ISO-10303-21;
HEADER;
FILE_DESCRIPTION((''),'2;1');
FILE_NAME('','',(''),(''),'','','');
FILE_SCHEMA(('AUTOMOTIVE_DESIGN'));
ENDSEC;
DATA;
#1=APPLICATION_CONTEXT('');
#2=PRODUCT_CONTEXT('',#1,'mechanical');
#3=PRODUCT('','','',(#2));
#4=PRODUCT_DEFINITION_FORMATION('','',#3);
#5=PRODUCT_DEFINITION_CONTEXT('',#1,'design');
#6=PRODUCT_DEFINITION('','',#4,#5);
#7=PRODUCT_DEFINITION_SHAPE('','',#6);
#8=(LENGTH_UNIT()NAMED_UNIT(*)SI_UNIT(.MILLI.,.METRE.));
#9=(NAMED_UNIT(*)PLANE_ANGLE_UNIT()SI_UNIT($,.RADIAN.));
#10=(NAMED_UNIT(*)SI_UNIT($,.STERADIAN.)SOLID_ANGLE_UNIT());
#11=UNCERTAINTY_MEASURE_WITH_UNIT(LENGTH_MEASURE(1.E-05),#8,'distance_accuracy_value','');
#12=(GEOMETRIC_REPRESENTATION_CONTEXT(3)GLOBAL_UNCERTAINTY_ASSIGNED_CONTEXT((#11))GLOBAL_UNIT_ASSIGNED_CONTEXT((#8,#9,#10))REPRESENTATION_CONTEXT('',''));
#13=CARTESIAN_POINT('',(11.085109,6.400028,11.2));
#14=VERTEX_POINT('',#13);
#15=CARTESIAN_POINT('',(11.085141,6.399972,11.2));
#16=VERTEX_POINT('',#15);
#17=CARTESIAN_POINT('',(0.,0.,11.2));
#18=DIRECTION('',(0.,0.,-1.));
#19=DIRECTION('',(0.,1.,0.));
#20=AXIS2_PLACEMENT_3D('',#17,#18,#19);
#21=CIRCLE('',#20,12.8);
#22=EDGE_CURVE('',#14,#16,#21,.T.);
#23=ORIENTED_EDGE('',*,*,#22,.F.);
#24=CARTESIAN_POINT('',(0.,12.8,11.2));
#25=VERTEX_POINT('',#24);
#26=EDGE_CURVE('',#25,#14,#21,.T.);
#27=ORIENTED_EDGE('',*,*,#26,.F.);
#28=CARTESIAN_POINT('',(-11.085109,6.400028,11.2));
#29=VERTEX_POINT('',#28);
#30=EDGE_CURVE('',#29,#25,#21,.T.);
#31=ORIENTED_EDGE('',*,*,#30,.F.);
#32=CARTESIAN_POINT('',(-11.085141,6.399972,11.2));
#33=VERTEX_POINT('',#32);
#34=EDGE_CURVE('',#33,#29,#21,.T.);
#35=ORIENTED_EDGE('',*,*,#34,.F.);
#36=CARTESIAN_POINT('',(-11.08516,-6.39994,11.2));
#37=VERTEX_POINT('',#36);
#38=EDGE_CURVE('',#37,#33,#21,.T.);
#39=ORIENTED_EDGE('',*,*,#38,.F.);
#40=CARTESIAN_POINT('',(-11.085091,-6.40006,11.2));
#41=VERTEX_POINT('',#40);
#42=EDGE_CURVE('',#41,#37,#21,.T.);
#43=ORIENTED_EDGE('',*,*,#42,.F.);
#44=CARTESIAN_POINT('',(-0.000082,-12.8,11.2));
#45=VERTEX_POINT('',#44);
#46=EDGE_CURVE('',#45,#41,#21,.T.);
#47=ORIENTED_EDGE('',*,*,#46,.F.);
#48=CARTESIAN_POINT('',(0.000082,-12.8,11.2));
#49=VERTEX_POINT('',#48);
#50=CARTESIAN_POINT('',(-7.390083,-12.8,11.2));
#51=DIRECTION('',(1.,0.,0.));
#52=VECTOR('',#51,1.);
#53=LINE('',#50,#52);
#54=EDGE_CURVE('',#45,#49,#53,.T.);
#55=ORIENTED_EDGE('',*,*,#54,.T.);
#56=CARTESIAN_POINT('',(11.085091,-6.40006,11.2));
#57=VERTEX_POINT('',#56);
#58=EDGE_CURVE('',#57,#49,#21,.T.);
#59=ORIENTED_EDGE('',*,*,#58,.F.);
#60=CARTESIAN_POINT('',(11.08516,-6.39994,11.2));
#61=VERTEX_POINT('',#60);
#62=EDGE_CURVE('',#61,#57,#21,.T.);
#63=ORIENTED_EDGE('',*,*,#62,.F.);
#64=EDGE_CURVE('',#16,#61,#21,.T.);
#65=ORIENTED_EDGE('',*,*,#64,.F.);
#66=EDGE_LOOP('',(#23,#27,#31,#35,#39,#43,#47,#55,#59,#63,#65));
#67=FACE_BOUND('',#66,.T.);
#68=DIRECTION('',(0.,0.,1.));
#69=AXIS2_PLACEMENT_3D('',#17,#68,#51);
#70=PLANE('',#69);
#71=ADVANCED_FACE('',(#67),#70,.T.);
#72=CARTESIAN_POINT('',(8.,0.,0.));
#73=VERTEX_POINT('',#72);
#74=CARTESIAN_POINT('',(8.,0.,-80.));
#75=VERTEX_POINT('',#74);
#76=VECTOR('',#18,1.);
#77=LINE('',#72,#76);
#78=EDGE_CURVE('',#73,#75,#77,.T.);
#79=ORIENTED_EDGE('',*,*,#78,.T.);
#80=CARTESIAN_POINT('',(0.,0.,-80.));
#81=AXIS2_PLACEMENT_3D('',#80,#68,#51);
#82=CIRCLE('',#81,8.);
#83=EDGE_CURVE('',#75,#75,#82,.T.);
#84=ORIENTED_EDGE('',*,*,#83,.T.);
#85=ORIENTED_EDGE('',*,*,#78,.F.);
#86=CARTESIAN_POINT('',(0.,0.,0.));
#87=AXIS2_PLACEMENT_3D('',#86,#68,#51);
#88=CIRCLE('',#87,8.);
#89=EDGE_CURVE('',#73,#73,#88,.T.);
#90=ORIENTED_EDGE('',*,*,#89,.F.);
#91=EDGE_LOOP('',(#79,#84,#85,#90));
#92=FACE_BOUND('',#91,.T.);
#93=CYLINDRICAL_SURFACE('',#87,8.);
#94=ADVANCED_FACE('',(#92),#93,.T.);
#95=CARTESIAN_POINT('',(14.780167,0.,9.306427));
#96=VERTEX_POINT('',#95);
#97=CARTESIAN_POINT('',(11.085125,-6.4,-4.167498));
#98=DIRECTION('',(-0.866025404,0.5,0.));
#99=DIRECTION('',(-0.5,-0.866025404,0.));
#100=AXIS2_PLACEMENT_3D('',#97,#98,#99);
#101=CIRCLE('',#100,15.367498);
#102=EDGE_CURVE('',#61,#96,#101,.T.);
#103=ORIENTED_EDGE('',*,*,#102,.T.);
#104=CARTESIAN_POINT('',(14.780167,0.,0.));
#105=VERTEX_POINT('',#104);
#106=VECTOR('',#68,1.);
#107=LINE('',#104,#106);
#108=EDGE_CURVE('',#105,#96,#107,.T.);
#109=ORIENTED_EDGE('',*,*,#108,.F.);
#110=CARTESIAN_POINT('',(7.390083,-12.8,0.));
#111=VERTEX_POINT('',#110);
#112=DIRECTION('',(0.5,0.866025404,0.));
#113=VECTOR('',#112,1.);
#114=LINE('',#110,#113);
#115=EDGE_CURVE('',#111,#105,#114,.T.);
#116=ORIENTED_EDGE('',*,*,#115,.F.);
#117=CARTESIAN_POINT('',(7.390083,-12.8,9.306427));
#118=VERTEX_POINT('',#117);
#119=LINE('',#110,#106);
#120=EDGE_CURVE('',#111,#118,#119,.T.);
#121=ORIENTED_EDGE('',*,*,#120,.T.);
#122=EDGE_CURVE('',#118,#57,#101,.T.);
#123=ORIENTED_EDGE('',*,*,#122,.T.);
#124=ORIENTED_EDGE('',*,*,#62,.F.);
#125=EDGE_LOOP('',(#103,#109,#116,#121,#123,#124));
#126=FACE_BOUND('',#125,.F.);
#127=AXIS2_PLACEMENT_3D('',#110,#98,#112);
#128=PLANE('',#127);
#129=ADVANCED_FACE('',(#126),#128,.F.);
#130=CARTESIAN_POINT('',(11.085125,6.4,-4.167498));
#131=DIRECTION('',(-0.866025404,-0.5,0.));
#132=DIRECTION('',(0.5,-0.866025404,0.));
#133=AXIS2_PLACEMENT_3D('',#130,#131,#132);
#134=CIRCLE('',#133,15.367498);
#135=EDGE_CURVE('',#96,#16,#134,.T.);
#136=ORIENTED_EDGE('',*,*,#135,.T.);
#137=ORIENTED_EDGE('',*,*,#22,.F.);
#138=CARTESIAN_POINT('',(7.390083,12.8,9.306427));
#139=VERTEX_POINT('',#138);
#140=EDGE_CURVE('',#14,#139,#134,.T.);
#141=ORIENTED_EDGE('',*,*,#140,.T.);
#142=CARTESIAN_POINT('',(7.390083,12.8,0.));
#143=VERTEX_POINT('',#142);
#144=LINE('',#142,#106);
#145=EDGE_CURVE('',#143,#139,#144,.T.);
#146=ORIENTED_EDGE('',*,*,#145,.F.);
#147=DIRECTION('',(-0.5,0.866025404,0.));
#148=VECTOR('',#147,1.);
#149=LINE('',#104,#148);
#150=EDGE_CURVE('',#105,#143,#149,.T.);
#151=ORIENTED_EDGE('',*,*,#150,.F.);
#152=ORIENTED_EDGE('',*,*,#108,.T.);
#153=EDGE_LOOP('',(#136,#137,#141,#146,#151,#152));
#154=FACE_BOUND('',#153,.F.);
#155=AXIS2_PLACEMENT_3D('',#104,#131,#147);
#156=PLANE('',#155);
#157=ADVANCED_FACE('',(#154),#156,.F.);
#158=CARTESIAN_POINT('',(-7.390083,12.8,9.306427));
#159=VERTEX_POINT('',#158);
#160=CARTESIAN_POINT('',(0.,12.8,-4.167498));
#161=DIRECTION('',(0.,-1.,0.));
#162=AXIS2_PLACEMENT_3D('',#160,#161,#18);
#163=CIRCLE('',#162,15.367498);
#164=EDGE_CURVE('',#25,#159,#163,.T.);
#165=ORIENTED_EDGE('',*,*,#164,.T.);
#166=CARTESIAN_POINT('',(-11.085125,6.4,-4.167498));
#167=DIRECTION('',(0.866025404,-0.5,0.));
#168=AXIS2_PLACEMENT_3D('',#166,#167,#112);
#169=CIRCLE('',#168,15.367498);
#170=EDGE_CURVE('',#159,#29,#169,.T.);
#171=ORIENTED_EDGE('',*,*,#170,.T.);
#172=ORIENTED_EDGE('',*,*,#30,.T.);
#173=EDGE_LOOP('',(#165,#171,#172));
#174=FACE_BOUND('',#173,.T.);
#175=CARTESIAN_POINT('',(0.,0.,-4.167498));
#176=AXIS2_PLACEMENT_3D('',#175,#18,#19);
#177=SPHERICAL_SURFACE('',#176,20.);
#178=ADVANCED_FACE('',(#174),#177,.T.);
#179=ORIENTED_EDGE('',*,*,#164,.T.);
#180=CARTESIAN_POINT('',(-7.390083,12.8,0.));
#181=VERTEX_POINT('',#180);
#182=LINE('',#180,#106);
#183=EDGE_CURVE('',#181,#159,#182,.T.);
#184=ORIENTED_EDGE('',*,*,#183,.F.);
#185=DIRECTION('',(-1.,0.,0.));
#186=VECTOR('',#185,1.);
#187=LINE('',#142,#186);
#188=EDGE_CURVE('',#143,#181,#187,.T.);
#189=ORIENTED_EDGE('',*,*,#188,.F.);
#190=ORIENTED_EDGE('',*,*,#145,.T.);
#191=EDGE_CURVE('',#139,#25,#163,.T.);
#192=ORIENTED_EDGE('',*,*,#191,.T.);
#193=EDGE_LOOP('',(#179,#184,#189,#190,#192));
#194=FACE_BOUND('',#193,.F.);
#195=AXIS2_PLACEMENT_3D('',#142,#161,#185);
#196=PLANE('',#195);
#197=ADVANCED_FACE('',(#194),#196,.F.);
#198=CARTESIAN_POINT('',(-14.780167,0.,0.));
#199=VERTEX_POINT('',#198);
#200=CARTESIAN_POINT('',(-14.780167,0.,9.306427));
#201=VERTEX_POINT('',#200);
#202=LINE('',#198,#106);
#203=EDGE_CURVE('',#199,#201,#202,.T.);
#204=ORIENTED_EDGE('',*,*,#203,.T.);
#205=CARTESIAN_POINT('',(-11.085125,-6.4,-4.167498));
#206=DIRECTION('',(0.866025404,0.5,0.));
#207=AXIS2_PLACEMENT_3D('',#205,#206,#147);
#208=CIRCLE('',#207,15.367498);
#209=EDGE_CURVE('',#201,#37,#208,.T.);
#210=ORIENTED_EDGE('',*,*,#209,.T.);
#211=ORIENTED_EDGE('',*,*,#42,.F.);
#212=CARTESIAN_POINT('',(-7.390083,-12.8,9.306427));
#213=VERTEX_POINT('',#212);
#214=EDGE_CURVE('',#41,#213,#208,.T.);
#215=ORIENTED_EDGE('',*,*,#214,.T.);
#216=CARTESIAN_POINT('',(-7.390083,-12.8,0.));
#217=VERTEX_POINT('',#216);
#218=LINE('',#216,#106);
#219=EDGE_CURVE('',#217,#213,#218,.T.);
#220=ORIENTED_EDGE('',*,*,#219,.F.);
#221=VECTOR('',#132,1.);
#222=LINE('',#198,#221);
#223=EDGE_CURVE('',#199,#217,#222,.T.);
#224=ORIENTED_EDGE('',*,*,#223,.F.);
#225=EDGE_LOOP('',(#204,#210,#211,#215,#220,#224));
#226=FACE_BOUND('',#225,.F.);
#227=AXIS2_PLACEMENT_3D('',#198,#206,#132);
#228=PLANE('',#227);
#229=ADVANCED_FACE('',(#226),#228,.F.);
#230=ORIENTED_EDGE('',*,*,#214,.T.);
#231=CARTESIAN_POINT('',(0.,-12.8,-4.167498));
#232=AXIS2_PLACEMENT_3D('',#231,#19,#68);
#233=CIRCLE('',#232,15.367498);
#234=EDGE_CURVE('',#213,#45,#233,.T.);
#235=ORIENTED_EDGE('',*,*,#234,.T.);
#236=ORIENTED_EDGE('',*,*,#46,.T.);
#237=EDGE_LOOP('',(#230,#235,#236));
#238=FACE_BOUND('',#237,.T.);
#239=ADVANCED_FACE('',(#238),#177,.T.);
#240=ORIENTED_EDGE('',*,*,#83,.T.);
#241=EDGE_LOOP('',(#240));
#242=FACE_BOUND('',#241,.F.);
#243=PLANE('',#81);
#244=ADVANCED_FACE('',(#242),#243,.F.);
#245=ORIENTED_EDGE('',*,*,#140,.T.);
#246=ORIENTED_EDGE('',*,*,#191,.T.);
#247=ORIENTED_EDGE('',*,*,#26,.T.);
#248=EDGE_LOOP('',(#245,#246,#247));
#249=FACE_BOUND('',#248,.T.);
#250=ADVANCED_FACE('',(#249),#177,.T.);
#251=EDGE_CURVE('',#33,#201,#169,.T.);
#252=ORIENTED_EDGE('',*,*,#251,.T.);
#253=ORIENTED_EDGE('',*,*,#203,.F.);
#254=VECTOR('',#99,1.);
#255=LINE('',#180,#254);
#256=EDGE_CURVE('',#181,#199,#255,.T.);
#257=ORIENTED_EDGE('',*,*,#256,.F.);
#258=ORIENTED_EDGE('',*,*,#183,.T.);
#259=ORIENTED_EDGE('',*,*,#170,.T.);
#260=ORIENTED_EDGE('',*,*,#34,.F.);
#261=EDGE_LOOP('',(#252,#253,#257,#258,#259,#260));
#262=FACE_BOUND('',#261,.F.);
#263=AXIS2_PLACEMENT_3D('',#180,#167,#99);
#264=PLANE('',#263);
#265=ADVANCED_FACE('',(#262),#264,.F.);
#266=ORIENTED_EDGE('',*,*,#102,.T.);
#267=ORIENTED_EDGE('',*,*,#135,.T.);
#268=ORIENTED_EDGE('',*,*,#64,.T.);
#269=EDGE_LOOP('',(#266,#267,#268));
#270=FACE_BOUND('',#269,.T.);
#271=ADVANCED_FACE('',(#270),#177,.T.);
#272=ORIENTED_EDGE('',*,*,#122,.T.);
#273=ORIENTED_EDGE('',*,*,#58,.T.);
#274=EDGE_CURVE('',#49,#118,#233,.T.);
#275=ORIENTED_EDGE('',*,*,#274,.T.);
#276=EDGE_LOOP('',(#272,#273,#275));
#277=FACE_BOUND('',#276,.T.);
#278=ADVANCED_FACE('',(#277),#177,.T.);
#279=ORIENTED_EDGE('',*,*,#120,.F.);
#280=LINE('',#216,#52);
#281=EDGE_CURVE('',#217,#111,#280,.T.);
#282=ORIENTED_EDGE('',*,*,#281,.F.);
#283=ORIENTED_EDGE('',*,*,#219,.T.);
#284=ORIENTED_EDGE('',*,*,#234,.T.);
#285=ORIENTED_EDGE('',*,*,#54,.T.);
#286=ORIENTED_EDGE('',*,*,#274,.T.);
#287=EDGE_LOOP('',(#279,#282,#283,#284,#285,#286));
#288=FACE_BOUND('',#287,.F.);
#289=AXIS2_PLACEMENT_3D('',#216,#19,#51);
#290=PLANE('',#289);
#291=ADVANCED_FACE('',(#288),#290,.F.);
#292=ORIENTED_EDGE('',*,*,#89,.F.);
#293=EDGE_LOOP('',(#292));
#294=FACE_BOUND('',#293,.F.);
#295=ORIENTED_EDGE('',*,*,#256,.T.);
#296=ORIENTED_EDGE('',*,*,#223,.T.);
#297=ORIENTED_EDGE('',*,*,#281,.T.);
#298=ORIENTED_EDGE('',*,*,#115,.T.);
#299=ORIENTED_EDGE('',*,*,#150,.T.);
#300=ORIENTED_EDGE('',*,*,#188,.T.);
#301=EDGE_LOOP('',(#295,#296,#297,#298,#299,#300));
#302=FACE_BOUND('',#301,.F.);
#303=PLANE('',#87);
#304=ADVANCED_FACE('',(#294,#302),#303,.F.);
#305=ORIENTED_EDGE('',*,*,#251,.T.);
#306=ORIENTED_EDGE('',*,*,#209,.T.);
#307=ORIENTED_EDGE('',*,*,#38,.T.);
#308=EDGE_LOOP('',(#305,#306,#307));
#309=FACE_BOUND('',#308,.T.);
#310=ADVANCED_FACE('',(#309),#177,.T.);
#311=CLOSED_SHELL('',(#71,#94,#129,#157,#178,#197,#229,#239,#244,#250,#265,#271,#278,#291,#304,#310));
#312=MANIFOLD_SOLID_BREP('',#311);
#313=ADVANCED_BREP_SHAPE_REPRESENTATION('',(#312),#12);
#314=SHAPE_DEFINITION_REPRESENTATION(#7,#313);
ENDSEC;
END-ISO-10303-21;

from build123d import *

# Parameters (mm, degrees)
F2_DEPTH = 11.2
F3_R     = 8
F4_DEPTH = 80


with BuildPart() as f2:
    # F1 (on Top) → F2 (new body)
    with BuildSketch(Plane.XY):
        Polygon((7.3900834456, 12.8), (-7.3900834456, 12.8), (-14.7801668913, 0), (-7.3900834456, -12.8), (7.3900834456, -12.8), (14.7801668913, 0), align=None)
    extrude(amount=F2_DEPTH)

    # F3 (on Top) → F4 (join)
    with BuildSketch(Plane.XY):
        Circle(F3_R)
    extrude(amount=-F4_DEPTH)

    # F5 (on Right) → F6 (revolve, cut)
    with BuildSketch(Plane.YZ):
        with BuildLine():
            Line((30, 0), (30, 20))
            Line((30, 20), (0, 20))
            Line((0, 20), (0, 15.8325018302))
            ThreePointArc((0, 15.8325018302), (12.5827269819, 11.3784010225), (19.5609805226, 0))
            Line((19.5609805226, 0), (30, 0))
        make_face()
    revolve(axis=Axis((0, 0, 17.9162509151), (0, 0, -1)), mode=Mode.SUBTRACT)


solid = f2.part
